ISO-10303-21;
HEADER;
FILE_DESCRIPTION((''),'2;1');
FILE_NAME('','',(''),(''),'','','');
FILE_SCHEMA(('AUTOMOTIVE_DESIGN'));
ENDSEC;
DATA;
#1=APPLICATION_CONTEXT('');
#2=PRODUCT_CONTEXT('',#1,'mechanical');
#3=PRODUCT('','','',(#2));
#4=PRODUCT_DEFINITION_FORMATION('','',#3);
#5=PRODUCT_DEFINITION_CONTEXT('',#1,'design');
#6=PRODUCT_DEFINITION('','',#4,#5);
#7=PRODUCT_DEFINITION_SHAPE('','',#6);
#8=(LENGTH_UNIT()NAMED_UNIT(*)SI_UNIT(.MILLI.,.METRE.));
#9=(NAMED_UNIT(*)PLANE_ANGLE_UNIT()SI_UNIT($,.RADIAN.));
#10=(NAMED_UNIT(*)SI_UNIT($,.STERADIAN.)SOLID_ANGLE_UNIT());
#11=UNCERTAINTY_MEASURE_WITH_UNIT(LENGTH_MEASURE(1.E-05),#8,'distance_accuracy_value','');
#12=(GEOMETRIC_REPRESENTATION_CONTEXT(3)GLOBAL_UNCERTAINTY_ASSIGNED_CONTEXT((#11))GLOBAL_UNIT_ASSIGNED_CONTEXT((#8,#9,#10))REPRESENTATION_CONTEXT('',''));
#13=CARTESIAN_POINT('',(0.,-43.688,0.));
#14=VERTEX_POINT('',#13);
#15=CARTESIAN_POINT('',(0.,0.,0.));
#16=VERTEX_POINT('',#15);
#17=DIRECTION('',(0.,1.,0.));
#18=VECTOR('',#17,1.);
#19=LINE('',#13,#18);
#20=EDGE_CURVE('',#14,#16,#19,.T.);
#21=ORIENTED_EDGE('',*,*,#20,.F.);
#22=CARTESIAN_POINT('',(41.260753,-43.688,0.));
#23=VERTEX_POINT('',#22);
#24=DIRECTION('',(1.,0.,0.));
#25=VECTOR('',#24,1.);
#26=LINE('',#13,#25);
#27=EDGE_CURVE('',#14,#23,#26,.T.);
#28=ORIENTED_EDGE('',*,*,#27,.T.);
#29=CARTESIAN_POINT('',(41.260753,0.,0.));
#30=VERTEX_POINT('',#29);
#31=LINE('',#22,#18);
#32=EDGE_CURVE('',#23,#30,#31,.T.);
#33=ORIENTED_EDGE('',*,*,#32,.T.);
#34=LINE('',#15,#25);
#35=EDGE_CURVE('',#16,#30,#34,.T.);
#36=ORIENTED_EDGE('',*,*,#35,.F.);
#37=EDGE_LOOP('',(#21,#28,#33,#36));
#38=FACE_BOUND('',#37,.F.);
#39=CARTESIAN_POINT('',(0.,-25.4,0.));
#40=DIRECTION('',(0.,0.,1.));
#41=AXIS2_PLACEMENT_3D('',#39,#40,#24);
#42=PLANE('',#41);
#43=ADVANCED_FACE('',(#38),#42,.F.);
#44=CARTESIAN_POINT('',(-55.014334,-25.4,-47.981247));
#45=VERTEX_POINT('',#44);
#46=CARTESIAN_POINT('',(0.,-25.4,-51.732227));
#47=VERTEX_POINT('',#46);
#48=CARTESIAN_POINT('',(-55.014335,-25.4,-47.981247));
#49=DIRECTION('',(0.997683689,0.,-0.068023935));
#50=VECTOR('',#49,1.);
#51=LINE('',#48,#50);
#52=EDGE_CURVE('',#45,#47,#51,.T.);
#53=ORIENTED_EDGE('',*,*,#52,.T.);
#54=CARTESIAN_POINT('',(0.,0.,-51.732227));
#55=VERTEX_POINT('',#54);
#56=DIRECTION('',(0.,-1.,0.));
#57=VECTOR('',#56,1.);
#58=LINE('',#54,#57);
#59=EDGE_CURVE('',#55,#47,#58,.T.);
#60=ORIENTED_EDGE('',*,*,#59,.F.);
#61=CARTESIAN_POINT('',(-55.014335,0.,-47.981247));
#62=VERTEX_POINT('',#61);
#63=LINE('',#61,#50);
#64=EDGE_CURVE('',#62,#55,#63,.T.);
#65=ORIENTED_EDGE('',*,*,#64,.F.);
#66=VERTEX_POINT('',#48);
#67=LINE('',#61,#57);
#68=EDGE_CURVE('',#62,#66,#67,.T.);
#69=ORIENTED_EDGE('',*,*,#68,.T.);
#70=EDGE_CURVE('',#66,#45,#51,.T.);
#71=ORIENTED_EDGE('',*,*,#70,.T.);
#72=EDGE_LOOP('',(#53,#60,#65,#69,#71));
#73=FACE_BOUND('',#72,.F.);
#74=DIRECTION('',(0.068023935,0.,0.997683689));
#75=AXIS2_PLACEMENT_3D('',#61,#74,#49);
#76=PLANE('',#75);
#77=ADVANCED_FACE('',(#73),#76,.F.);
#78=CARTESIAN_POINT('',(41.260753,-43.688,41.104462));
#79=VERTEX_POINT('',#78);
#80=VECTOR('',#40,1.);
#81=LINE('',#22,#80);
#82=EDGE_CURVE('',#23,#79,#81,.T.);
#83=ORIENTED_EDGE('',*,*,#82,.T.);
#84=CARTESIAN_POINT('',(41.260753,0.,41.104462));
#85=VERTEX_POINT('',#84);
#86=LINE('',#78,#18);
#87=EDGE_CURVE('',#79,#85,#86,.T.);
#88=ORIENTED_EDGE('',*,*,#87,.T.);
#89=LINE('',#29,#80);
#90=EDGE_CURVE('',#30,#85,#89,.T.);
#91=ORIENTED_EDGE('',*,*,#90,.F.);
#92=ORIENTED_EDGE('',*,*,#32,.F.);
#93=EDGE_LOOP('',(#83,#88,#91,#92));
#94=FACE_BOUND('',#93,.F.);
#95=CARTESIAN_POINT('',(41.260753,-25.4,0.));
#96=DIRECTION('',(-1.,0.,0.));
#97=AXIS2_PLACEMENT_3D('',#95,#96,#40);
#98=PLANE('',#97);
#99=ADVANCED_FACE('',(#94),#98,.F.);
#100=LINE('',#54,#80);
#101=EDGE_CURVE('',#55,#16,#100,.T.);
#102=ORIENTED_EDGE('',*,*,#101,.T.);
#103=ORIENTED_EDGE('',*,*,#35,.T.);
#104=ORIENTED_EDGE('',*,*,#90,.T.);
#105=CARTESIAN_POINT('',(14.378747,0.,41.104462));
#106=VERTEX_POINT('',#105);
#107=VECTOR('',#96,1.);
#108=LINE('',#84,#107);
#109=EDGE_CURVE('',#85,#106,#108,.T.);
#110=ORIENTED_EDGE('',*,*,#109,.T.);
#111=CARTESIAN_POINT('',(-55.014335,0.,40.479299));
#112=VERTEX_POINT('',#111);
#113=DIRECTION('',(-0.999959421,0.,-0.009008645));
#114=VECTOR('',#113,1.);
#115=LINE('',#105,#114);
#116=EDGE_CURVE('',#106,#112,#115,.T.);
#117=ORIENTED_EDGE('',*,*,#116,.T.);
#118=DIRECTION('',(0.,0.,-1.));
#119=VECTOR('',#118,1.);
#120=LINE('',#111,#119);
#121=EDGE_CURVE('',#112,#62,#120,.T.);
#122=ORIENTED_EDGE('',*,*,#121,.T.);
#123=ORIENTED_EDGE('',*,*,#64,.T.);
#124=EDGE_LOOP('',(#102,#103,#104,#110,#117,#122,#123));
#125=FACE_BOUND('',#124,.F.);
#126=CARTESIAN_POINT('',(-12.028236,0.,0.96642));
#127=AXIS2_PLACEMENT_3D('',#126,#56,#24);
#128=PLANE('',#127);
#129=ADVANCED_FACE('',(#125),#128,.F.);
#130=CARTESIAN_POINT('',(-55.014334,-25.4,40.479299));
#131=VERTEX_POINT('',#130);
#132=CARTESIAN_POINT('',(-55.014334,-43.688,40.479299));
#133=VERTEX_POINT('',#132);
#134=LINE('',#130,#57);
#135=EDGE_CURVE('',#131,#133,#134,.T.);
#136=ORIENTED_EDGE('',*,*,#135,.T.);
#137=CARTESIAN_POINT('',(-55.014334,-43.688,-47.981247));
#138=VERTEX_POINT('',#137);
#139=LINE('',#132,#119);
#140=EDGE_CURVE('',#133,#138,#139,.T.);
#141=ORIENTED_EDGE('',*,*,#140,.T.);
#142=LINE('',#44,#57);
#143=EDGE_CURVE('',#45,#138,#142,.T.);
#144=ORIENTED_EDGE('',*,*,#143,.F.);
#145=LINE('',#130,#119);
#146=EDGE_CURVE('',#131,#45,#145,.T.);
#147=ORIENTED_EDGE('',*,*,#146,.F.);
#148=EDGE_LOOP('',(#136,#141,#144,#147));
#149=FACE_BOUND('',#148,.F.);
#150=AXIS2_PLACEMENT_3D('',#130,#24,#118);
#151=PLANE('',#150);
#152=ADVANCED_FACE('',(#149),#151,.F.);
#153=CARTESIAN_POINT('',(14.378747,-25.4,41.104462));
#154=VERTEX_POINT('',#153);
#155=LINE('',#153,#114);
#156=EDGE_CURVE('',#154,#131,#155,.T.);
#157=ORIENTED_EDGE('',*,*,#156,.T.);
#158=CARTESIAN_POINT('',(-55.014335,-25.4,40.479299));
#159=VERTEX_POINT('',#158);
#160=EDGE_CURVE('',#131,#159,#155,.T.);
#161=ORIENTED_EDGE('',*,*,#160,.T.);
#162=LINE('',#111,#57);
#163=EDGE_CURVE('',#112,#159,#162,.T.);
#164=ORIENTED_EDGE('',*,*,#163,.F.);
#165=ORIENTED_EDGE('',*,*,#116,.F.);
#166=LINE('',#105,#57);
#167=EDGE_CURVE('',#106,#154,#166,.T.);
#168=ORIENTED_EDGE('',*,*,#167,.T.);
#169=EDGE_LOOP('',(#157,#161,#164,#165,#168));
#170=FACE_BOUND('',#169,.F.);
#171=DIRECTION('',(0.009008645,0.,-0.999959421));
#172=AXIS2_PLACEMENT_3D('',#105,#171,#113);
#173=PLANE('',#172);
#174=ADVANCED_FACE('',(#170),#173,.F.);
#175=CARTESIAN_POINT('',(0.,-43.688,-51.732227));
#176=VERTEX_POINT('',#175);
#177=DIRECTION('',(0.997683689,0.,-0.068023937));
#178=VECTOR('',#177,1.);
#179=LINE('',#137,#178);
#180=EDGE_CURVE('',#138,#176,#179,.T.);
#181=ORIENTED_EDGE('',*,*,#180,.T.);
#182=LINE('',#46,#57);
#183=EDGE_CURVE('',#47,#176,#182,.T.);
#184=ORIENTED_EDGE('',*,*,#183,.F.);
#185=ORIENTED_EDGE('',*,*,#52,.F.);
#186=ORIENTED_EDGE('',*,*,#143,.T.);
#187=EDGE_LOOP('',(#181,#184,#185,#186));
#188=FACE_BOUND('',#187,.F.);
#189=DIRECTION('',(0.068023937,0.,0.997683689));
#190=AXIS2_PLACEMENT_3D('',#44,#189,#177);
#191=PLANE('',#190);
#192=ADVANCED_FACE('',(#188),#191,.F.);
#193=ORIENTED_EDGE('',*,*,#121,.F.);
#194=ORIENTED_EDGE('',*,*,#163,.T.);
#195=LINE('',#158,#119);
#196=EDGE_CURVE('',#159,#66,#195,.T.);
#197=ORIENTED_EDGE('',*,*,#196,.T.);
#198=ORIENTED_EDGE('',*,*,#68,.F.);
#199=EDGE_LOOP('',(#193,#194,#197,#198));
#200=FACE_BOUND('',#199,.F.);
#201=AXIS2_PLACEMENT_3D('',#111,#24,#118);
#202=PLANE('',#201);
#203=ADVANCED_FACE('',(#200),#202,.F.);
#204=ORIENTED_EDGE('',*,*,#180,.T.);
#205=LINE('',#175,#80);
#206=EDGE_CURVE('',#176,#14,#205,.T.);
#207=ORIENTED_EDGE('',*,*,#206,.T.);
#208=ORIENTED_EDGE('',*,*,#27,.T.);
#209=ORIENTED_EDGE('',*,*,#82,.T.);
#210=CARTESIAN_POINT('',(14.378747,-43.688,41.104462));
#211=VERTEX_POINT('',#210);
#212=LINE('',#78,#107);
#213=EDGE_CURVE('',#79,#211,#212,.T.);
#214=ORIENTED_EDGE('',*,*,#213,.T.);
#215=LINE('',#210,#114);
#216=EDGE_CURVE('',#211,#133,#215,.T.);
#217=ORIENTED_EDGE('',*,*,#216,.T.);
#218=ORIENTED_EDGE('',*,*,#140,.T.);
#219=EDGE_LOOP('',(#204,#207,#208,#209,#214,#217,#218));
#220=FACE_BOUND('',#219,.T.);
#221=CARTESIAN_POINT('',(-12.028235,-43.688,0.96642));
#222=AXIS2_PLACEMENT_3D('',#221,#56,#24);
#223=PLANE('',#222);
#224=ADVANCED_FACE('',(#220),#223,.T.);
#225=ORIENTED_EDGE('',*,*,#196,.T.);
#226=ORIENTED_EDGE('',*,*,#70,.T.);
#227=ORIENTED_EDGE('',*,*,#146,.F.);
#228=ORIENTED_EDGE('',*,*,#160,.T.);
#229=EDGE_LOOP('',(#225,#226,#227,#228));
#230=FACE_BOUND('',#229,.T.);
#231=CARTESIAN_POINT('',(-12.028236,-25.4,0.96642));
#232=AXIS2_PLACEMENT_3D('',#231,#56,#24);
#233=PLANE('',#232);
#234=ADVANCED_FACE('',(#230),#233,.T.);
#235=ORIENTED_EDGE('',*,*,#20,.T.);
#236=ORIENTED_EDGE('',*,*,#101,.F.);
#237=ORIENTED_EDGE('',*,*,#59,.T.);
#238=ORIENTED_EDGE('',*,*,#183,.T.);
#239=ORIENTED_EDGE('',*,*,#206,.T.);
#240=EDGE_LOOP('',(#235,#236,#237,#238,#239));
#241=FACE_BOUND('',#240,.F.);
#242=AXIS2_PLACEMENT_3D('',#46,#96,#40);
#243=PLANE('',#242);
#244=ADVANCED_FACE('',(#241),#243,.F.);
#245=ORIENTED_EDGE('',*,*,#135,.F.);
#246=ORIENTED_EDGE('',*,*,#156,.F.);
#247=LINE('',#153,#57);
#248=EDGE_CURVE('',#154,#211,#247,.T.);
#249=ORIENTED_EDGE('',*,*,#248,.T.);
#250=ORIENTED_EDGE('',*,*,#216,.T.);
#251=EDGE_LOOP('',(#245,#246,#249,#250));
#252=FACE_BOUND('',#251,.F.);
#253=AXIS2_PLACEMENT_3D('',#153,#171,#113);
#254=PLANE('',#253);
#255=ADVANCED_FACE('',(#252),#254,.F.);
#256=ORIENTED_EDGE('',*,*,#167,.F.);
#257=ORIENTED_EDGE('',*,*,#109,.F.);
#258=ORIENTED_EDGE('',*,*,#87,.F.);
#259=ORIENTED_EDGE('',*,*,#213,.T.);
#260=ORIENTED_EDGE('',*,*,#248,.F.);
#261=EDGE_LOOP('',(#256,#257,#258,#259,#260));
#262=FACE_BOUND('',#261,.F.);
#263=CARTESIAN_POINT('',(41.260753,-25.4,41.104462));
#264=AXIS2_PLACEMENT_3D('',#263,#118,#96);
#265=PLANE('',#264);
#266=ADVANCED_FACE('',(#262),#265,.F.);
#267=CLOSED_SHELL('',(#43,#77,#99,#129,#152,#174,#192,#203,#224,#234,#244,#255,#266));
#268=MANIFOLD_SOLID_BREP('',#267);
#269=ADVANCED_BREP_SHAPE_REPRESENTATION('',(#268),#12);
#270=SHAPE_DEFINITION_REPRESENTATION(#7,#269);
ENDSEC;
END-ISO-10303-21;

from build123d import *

# Parameters (mm, degrees)
F1_DEPTH = 25.4
F2_DEPTH = 18.288


with BuildPart() as f1:
    # F0 (on Front) → F1 (new body)
    with BuildSketch(Plane.XZ):
        Polygon((41.260753, 41.104462), (14.378747, 41.104462), (-55.014335, 40.479299), (-55.014335, -47.981247), (0, -51.732227), (0, 0), (41.260753, 0), align=None)
    extrude(amount=F1_DEPTH)

    # F1_face (on face) → F2 (join)
    with BuildSketch(Plane(origin=(-15.12676, -25.4, 1.802557), x_dir=(1, 0, 0), z_dir=(0, -1, 0))):
        Polygon((56.387513, 39.301905), (29.505507, 39.301905), (-39.887574, 38.676742), (-39.887574, -49.783804), (15.12676, -53.534784), (15.12676, -1.802557), (56.387513, -1.802557), align=None)
    extrude(amount=F2_DEPTH)


solid = f1.part
